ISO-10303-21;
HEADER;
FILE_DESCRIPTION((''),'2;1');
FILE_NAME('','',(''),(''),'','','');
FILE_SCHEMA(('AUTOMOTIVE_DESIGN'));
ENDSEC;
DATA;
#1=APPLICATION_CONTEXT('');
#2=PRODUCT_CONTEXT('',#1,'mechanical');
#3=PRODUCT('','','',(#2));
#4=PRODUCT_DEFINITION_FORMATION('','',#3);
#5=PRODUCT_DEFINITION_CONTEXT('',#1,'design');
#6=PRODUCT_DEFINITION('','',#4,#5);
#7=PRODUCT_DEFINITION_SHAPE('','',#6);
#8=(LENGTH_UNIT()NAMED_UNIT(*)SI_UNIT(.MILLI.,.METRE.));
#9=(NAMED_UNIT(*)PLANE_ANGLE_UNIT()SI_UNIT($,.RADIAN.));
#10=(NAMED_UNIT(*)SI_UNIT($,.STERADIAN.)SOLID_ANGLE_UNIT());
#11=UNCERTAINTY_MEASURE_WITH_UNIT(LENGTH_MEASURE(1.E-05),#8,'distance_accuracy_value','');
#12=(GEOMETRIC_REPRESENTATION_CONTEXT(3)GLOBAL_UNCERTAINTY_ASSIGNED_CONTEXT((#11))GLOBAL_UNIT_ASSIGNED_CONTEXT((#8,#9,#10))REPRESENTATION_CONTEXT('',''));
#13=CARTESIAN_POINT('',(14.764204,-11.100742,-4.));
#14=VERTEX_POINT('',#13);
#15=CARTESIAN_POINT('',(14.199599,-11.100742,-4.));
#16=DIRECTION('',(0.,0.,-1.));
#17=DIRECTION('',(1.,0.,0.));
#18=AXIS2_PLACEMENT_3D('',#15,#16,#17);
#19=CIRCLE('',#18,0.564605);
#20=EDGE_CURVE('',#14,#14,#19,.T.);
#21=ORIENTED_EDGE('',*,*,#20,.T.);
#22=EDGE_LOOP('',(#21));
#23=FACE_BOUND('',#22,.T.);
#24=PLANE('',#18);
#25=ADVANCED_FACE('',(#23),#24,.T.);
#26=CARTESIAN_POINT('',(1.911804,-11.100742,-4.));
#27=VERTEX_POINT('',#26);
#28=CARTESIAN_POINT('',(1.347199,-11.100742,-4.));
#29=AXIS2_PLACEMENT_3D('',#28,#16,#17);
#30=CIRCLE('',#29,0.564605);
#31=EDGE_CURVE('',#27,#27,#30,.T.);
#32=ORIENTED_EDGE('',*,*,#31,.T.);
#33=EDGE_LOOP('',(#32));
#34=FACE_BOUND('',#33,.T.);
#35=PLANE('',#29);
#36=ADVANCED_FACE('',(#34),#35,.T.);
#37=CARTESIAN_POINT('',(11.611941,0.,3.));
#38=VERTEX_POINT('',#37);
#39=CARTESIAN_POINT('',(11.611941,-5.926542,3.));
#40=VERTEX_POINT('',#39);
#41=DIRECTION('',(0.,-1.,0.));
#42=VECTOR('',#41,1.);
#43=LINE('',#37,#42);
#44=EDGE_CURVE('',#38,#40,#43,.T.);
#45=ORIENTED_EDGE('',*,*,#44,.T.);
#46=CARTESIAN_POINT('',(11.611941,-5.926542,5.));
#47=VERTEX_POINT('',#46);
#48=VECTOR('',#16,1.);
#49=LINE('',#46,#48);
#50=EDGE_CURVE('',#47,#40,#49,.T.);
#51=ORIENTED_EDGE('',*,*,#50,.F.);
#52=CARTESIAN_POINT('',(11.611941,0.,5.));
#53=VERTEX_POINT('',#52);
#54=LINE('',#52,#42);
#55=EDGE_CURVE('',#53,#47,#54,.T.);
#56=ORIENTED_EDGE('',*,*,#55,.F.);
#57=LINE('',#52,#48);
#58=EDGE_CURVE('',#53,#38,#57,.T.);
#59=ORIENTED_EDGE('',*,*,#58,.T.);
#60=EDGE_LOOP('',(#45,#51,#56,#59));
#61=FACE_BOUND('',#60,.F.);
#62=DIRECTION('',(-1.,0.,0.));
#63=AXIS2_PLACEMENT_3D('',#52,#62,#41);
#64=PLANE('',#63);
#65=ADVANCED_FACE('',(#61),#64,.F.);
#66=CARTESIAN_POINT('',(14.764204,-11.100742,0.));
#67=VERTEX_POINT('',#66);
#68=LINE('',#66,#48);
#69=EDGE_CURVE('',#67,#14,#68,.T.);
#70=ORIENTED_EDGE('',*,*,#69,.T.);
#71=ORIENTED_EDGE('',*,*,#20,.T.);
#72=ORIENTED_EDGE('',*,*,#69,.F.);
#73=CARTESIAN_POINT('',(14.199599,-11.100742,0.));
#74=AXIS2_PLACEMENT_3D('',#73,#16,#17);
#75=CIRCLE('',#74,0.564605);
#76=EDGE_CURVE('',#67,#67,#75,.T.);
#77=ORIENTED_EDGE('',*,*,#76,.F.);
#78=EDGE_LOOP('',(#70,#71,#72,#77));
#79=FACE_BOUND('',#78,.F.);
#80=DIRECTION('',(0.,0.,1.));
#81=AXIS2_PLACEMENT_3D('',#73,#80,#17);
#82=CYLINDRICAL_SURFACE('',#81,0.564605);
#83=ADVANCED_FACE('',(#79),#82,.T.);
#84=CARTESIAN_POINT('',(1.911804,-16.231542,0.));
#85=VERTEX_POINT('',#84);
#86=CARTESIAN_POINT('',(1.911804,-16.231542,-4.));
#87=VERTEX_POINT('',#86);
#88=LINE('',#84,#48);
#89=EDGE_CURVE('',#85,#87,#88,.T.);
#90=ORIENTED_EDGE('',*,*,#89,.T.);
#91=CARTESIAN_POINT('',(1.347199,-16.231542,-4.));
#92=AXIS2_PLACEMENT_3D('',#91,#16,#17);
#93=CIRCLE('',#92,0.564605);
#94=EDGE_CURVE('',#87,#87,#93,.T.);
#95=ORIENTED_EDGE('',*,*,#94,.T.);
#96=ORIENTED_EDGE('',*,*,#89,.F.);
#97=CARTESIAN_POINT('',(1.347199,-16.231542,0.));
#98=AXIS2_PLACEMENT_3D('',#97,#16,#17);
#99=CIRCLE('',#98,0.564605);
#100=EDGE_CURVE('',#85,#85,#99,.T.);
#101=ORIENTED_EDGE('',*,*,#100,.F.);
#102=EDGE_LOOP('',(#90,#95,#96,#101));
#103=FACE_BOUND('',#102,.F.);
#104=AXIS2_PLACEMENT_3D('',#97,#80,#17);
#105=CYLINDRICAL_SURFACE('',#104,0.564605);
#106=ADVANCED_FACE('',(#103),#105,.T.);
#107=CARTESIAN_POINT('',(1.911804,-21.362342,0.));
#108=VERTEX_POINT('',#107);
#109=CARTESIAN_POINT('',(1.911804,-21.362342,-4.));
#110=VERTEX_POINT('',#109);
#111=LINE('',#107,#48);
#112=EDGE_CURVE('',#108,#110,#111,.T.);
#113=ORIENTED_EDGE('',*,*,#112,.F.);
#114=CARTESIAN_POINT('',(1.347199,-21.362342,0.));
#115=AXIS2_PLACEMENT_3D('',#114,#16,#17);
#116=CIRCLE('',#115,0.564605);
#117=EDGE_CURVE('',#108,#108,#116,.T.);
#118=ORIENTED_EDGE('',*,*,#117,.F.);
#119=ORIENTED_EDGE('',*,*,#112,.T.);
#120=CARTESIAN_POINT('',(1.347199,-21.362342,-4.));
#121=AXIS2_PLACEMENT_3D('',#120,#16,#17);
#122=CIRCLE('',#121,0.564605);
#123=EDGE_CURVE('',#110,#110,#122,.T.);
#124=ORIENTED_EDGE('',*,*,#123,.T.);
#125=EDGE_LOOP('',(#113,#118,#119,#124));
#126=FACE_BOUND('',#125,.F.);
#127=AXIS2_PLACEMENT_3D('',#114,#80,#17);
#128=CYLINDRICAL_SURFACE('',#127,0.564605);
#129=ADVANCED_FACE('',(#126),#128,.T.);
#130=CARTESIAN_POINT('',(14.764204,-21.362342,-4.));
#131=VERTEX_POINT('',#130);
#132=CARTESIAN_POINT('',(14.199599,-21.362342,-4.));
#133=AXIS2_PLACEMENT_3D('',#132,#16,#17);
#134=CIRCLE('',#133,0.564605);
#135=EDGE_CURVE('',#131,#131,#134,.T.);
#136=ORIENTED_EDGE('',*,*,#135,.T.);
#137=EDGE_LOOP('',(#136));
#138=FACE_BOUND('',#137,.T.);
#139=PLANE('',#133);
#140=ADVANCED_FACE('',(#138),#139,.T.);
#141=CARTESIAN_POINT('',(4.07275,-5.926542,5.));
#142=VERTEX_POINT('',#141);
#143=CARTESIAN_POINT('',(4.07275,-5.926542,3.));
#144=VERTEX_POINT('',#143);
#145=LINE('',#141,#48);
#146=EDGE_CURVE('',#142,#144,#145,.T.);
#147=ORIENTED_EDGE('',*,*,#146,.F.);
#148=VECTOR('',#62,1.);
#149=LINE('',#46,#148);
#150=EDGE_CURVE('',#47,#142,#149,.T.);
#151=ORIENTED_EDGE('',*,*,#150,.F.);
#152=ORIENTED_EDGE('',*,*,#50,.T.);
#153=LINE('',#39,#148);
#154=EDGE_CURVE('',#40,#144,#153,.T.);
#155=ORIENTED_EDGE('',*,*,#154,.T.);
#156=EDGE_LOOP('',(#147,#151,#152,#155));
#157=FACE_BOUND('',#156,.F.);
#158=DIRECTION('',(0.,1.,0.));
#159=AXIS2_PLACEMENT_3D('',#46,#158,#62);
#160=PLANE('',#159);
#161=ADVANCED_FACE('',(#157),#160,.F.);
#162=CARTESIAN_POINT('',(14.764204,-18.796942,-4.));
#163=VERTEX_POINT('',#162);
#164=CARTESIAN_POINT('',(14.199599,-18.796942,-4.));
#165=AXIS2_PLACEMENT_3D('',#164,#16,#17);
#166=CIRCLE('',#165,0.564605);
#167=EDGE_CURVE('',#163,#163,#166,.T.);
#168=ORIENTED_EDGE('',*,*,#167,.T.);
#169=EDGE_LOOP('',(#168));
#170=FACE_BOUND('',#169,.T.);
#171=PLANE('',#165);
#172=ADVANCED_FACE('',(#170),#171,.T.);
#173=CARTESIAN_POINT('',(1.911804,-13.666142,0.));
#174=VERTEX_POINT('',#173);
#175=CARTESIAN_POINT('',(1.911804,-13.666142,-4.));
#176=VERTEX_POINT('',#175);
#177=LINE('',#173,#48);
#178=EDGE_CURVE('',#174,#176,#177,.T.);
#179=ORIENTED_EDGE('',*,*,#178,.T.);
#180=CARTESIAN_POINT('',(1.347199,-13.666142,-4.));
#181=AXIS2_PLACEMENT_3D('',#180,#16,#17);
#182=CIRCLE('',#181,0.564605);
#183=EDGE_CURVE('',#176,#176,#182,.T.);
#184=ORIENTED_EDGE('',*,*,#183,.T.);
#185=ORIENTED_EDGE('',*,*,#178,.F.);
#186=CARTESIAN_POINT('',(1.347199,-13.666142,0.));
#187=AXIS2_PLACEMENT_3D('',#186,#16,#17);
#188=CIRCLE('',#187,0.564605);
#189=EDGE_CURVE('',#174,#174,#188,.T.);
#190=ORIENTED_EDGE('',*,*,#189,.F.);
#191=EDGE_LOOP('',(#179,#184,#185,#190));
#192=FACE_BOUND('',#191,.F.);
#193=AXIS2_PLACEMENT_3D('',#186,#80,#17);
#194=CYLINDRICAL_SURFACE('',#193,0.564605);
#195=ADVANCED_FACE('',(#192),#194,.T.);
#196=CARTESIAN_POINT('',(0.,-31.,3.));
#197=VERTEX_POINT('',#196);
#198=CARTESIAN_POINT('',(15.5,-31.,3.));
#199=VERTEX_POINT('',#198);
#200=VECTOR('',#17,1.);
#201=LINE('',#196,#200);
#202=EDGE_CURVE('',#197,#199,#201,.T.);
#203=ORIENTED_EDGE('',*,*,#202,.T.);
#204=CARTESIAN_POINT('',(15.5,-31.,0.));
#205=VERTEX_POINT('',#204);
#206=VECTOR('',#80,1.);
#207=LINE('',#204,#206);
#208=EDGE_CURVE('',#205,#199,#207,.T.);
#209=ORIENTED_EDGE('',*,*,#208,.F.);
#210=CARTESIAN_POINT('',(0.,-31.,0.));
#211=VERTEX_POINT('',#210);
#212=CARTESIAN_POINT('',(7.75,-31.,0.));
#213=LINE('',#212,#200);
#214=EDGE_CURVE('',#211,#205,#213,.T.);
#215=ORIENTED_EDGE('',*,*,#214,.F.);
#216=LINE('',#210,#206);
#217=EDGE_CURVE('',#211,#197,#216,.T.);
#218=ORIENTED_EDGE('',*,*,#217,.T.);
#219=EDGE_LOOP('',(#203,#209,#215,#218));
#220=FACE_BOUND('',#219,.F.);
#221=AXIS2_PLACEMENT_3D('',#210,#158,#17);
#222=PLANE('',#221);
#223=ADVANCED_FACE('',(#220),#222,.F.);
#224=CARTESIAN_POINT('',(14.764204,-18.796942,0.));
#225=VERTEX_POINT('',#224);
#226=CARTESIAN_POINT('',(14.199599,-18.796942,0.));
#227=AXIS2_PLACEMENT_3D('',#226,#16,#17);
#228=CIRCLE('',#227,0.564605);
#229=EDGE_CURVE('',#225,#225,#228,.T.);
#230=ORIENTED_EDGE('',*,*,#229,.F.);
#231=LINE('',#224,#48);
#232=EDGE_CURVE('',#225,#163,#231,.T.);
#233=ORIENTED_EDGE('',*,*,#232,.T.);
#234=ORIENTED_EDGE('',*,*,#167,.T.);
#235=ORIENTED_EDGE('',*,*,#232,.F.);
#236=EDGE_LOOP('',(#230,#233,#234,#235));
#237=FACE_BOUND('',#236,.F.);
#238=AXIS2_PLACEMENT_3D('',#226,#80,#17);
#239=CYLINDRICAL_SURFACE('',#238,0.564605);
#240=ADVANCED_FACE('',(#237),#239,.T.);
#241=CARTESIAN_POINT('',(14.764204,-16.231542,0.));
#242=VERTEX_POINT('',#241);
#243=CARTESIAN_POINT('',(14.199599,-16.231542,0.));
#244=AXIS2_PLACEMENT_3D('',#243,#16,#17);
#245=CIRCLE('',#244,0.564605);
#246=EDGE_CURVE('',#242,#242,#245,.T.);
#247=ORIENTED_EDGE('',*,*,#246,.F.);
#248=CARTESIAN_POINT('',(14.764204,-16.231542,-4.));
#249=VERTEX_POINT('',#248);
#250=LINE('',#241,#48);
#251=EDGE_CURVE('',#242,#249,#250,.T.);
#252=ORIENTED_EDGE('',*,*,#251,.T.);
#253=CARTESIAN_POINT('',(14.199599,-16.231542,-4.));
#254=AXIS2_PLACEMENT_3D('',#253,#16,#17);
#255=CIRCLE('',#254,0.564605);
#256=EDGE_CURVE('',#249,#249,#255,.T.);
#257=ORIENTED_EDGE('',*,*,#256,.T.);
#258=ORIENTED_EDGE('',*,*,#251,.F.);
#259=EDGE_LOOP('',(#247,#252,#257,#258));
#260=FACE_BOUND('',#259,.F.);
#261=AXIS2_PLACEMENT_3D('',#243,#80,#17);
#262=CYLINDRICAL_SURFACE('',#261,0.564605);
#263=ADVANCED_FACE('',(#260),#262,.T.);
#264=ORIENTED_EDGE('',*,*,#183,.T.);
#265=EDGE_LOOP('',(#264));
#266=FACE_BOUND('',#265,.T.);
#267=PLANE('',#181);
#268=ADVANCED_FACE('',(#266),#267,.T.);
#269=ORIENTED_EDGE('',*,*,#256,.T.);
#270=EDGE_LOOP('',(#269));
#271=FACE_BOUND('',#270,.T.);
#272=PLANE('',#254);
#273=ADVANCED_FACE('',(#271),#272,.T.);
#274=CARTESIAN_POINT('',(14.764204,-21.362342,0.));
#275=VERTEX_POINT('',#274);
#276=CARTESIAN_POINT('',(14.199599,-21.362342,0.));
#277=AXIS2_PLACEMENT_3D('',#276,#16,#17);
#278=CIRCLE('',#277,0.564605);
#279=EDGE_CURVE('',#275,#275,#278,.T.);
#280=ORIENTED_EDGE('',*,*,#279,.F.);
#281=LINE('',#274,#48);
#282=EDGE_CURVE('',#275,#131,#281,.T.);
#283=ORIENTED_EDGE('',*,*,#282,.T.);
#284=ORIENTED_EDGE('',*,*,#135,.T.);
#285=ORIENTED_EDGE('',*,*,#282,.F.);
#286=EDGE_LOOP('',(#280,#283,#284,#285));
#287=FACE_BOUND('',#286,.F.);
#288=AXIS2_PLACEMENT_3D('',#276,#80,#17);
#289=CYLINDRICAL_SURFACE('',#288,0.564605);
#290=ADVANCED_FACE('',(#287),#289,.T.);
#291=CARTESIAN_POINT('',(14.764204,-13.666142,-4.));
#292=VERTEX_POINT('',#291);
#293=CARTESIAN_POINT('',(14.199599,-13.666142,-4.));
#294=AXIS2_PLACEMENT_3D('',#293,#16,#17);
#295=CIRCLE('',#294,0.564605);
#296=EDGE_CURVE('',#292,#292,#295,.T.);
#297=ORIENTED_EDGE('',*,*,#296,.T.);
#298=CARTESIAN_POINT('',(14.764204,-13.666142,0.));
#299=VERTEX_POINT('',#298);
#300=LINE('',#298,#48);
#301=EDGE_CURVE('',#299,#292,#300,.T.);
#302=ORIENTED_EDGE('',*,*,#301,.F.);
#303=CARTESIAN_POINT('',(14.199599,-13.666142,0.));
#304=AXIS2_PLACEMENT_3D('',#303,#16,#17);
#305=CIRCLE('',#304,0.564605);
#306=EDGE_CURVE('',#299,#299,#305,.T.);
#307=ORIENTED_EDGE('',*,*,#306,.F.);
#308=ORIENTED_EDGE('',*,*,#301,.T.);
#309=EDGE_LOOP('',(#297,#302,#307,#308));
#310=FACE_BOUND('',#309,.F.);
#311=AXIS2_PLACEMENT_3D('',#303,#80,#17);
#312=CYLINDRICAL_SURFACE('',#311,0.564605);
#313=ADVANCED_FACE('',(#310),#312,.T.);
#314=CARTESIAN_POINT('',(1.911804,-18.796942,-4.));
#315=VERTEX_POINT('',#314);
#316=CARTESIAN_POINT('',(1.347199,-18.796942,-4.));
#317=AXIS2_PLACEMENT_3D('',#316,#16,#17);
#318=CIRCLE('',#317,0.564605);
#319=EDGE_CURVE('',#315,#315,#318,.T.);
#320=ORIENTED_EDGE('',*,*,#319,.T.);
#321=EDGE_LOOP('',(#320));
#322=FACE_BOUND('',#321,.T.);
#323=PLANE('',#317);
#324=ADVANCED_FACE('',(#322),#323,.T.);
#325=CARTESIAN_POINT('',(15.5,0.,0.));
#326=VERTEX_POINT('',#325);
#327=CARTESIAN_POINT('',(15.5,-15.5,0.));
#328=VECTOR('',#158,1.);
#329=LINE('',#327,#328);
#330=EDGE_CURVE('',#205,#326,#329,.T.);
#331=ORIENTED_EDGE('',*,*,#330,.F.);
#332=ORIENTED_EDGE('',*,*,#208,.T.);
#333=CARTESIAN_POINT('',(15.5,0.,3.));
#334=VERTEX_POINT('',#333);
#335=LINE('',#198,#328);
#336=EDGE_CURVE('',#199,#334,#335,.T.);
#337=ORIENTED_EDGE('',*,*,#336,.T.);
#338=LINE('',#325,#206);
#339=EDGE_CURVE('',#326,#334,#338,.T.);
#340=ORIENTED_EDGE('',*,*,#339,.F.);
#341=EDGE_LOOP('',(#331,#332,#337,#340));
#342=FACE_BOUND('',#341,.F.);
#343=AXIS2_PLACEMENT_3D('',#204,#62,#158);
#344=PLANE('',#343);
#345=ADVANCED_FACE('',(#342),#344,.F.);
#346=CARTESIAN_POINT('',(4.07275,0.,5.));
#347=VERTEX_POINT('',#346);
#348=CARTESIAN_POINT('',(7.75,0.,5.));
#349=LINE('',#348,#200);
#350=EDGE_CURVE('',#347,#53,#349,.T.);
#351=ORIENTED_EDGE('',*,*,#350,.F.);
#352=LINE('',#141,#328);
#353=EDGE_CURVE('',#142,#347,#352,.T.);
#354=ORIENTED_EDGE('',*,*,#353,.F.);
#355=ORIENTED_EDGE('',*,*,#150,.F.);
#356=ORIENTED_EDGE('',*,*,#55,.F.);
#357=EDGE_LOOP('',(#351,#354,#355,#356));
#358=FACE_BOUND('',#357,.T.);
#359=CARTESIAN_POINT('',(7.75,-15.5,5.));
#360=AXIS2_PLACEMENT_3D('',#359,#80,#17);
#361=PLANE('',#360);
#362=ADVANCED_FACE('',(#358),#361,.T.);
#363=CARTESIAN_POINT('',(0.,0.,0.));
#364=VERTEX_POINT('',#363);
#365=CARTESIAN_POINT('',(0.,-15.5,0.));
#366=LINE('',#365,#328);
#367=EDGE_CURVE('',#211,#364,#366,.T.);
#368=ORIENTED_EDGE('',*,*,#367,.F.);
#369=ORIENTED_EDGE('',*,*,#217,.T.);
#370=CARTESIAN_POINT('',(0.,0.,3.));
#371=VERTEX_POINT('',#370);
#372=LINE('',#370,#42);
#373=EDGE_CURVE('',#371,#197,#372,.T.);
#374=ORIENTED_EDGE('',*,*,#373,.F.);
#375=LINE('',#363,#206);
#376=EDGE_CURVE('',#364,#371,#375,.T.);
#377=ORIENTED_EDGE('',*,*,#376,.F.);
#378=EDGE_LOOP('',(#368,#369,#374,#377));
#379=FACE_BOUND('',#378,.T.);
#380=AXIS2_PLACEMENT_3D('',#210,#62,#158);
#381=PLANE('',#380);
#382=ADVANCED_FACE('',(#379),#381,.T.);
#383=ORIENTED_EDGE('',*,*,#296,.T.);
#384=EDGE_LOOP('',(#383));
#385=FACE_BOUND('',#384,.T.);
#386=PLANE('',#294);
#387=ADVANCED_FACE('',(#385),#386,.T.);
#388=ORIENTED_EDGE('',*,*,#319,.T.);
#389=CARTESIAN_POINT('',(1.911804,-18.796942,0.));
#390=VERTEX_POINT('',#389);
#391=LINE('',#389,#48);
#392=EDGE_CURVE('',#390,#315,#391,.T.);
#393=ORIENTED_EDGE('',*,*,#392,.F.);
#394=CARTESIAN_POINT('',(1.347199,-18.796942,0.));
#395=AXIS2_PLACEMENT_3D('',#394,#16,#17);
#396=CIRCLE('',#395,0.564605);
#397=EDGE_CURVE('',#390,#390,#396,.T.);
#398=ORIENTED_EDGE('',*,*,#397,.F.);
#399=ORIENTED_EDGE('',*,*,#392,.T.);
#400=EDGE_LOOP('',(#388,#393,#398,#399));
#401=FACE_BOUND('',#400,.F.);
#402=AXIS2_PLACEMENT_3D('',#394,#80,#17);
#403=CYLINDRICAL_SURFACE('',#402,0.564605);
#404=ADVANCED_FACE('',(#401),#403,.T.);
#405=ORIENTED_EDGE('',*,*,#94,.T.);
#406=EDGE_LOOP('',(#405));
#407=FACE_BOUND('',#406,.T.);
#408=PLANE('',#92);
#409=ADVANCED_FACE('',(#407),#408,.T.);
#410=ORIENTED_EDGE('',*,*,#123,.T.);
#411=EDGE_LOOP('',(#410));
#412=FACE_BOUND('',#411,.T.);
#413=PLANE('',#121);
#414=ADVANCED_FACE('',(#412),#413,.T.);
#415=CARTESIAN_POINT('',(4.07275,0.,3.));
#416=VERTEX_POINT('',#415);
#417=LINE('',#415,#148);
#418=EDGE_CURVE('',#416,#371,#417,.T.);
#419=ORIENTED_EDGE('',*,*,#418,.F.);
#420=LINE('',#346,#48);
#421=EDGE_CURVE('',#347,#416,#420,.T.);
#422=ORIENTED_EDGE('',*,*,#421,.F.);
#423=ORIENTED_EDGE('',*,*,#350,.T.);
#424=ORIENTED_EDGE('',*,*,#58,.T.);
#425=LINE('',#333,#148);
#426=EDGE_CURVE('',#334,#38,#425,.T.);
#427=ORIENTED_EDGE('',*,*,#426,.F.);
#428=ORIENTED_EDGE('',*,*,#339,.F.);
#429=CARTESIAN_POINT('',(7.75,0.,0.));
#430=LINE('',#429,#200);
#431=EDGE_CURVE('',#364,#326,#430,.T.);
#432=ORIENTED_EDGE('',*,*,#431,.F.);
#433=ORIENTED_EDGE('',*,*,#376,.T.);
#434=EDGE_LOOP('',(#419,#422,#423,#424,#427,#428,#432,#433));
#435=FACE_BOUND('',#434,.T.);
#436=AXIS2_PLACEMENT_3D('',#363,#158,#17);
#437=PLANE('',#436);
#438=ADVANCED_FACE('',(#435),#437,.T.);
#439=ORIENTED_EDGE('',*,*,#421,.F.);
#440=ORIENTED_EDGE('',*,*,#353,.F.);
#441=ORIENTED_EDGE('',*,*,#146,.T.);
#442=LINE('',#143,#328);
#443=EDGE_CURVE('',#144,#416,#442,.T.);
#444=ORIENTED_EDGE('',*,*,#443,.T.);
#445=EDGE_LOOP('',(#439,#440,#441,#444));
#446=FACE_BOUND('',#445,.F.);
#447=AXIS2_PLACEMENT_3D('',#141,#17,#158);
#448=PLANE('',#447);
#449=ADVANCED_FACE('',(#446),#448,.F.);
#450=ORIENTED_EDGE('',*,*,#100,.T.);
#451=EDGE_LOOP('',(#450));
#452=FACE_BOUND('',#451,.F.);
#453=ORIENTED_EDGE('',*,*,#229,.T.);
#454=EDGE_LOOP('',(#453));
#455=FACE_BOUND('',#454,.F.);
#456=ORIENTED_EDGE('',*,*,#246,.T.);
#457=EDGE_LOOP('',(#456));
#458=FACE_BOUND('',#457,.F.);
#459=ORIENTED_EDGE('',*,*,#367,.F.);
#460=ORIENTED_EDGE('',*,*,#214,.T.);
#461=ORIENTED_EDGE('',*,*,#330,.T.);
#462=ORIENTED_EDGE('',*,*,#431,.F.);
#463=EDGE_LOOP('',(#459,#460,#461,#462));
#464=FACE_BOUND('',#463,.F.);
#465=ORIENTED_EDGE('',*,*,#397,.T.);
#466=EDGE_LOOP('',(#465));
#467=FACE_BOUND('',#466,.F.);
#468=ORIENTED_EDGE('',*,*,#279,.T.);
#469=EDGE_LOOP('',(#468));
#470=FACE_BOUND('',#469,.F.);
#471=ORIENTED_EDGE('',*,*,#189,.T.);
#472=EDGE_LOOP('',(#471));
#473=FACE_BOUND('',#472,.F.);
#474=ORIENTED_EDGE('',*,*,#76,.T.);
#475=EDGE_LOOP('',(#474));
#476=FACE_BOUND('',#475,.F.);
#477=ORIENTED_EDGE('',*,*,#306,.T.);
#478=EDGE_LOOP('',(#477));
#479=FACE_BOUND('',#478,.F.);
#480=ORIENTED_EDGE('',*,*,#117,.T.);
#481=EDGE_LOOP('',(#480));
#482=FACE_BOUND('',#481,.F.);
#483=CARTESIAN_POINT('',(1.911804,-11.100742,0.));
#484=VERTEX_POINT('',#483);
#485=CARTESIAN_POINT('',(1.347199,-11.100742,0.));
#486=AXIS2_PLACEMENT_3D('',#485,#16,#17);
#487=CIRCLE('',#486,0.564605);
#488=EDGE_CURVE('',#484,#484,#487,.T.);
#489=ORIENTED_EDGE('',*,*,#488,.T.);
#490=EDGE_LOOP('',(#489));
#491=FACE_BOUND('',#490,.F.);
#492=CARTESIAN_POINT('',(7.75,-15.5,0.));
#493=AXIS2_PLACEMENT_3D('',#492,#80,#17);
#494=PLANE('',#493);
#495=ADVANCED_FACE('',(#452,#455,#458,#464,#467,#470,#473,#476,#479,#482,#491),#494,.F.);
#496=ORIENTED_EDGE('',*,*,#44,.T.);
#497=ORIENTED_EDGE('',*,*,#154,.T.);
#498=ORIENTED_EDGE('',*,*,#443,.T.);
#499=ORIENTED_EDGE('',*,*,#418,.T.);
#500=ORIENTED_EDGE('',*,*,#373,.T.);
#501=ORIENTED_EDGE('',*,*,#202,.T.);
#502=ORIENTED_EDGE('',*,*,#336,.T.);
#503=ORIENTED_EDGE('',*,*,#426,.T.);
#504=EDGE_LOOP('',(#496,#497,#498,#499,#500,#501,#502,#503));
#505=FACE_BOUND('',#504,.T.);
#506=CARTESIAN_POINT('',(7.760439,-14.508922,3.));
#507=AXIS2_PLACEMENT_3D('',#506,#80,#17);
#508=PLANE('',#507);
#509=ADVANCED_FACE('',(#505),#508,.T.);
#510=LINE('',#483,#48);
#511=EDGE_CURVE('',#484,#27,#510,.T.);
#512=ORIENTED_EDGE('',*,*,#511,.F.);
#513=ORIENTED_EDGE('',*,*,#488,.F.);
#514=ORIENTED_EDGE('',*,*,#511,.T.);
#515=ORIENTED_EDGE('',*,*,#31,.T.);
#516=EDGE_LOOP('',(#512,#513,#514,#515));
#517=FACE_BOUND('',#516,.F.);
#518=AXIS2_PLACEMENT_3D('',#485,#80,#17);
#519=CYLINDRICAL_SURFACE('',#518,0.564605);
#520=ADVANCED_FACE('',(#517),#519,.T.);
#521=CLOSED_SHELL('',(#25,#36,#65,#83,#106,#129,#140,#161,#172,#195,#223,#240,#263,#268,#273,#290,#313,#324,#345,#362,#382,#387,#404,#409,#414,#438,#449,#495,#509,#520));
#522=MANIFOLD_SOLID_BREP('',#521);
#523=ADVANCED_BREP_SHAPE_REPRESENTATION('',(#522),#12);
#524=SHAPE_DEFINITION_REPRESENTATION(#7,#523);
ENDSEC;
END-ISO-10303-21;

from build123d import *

# Parameters (mm, degrees)
F0_W     = 15.5
F0_H     = 31
F1_DEPTH = 5
F2_R     = 0.564605
F3_DEPTH = 4
F5_DEPTH = 2


with BuildPart() as f1:
    # F0 (on Top) → F1 (new body)
    with BuildSketch(Plane.XY):
        with Locations((7.75, -15.5)):
            Rectangle(F0_W, F0_H)
    extrude(amount=F1_DEPTH)

    # F2 (on face) → F3 (join)
    with BuildSketch(Plane(origin=(0, 0, 0), x_dir=(1, 0, 0), z_dir=(0, 0, -1))):
        with Locations((1.347199, 21.362342)):
            Circle(F2_R)
        with Locations((1.347199, 18.796942)):
            Circle(F2_R)
        with Locations((1.347199, 16.231542)):
            Circle(F2_R)
        with Locations((1.347199, 13.666142)):
            Circle(F2_R)
        with Locations((1.347199, 11.100742)):
            Circle(F2_R)
        with Locations((14.199599, 21.362342)):
            Circle(F2_R)
        with Locations((14.199599, 18.796942)):
            Circle(F2_R)
        with Locations((14.199599, 16.231542)):
            Circle(F2_R)
        with Locations((14.199599, 13.666142)):
            Circle(F2_R)
        with Locations((14.199599, 11.100742)):
            Circle(F2_R)
    extrude(amount=F3_DEPTH)

    # F4 (on face) → F5 (cut)
    with BuildSketch(Plane.XY.offset(5)):
        Polygon((4.07275, -5.926542), (4.07275, 0), (0, 0), (0, -31), (15.5, -31), (15.5, 0), (11.611941, 0), (11.611941, -5.926542), align=None)
    extrude(amount=-F5_DEPTH, mode=Mode.SUBTRACT)


solid = f1.part
